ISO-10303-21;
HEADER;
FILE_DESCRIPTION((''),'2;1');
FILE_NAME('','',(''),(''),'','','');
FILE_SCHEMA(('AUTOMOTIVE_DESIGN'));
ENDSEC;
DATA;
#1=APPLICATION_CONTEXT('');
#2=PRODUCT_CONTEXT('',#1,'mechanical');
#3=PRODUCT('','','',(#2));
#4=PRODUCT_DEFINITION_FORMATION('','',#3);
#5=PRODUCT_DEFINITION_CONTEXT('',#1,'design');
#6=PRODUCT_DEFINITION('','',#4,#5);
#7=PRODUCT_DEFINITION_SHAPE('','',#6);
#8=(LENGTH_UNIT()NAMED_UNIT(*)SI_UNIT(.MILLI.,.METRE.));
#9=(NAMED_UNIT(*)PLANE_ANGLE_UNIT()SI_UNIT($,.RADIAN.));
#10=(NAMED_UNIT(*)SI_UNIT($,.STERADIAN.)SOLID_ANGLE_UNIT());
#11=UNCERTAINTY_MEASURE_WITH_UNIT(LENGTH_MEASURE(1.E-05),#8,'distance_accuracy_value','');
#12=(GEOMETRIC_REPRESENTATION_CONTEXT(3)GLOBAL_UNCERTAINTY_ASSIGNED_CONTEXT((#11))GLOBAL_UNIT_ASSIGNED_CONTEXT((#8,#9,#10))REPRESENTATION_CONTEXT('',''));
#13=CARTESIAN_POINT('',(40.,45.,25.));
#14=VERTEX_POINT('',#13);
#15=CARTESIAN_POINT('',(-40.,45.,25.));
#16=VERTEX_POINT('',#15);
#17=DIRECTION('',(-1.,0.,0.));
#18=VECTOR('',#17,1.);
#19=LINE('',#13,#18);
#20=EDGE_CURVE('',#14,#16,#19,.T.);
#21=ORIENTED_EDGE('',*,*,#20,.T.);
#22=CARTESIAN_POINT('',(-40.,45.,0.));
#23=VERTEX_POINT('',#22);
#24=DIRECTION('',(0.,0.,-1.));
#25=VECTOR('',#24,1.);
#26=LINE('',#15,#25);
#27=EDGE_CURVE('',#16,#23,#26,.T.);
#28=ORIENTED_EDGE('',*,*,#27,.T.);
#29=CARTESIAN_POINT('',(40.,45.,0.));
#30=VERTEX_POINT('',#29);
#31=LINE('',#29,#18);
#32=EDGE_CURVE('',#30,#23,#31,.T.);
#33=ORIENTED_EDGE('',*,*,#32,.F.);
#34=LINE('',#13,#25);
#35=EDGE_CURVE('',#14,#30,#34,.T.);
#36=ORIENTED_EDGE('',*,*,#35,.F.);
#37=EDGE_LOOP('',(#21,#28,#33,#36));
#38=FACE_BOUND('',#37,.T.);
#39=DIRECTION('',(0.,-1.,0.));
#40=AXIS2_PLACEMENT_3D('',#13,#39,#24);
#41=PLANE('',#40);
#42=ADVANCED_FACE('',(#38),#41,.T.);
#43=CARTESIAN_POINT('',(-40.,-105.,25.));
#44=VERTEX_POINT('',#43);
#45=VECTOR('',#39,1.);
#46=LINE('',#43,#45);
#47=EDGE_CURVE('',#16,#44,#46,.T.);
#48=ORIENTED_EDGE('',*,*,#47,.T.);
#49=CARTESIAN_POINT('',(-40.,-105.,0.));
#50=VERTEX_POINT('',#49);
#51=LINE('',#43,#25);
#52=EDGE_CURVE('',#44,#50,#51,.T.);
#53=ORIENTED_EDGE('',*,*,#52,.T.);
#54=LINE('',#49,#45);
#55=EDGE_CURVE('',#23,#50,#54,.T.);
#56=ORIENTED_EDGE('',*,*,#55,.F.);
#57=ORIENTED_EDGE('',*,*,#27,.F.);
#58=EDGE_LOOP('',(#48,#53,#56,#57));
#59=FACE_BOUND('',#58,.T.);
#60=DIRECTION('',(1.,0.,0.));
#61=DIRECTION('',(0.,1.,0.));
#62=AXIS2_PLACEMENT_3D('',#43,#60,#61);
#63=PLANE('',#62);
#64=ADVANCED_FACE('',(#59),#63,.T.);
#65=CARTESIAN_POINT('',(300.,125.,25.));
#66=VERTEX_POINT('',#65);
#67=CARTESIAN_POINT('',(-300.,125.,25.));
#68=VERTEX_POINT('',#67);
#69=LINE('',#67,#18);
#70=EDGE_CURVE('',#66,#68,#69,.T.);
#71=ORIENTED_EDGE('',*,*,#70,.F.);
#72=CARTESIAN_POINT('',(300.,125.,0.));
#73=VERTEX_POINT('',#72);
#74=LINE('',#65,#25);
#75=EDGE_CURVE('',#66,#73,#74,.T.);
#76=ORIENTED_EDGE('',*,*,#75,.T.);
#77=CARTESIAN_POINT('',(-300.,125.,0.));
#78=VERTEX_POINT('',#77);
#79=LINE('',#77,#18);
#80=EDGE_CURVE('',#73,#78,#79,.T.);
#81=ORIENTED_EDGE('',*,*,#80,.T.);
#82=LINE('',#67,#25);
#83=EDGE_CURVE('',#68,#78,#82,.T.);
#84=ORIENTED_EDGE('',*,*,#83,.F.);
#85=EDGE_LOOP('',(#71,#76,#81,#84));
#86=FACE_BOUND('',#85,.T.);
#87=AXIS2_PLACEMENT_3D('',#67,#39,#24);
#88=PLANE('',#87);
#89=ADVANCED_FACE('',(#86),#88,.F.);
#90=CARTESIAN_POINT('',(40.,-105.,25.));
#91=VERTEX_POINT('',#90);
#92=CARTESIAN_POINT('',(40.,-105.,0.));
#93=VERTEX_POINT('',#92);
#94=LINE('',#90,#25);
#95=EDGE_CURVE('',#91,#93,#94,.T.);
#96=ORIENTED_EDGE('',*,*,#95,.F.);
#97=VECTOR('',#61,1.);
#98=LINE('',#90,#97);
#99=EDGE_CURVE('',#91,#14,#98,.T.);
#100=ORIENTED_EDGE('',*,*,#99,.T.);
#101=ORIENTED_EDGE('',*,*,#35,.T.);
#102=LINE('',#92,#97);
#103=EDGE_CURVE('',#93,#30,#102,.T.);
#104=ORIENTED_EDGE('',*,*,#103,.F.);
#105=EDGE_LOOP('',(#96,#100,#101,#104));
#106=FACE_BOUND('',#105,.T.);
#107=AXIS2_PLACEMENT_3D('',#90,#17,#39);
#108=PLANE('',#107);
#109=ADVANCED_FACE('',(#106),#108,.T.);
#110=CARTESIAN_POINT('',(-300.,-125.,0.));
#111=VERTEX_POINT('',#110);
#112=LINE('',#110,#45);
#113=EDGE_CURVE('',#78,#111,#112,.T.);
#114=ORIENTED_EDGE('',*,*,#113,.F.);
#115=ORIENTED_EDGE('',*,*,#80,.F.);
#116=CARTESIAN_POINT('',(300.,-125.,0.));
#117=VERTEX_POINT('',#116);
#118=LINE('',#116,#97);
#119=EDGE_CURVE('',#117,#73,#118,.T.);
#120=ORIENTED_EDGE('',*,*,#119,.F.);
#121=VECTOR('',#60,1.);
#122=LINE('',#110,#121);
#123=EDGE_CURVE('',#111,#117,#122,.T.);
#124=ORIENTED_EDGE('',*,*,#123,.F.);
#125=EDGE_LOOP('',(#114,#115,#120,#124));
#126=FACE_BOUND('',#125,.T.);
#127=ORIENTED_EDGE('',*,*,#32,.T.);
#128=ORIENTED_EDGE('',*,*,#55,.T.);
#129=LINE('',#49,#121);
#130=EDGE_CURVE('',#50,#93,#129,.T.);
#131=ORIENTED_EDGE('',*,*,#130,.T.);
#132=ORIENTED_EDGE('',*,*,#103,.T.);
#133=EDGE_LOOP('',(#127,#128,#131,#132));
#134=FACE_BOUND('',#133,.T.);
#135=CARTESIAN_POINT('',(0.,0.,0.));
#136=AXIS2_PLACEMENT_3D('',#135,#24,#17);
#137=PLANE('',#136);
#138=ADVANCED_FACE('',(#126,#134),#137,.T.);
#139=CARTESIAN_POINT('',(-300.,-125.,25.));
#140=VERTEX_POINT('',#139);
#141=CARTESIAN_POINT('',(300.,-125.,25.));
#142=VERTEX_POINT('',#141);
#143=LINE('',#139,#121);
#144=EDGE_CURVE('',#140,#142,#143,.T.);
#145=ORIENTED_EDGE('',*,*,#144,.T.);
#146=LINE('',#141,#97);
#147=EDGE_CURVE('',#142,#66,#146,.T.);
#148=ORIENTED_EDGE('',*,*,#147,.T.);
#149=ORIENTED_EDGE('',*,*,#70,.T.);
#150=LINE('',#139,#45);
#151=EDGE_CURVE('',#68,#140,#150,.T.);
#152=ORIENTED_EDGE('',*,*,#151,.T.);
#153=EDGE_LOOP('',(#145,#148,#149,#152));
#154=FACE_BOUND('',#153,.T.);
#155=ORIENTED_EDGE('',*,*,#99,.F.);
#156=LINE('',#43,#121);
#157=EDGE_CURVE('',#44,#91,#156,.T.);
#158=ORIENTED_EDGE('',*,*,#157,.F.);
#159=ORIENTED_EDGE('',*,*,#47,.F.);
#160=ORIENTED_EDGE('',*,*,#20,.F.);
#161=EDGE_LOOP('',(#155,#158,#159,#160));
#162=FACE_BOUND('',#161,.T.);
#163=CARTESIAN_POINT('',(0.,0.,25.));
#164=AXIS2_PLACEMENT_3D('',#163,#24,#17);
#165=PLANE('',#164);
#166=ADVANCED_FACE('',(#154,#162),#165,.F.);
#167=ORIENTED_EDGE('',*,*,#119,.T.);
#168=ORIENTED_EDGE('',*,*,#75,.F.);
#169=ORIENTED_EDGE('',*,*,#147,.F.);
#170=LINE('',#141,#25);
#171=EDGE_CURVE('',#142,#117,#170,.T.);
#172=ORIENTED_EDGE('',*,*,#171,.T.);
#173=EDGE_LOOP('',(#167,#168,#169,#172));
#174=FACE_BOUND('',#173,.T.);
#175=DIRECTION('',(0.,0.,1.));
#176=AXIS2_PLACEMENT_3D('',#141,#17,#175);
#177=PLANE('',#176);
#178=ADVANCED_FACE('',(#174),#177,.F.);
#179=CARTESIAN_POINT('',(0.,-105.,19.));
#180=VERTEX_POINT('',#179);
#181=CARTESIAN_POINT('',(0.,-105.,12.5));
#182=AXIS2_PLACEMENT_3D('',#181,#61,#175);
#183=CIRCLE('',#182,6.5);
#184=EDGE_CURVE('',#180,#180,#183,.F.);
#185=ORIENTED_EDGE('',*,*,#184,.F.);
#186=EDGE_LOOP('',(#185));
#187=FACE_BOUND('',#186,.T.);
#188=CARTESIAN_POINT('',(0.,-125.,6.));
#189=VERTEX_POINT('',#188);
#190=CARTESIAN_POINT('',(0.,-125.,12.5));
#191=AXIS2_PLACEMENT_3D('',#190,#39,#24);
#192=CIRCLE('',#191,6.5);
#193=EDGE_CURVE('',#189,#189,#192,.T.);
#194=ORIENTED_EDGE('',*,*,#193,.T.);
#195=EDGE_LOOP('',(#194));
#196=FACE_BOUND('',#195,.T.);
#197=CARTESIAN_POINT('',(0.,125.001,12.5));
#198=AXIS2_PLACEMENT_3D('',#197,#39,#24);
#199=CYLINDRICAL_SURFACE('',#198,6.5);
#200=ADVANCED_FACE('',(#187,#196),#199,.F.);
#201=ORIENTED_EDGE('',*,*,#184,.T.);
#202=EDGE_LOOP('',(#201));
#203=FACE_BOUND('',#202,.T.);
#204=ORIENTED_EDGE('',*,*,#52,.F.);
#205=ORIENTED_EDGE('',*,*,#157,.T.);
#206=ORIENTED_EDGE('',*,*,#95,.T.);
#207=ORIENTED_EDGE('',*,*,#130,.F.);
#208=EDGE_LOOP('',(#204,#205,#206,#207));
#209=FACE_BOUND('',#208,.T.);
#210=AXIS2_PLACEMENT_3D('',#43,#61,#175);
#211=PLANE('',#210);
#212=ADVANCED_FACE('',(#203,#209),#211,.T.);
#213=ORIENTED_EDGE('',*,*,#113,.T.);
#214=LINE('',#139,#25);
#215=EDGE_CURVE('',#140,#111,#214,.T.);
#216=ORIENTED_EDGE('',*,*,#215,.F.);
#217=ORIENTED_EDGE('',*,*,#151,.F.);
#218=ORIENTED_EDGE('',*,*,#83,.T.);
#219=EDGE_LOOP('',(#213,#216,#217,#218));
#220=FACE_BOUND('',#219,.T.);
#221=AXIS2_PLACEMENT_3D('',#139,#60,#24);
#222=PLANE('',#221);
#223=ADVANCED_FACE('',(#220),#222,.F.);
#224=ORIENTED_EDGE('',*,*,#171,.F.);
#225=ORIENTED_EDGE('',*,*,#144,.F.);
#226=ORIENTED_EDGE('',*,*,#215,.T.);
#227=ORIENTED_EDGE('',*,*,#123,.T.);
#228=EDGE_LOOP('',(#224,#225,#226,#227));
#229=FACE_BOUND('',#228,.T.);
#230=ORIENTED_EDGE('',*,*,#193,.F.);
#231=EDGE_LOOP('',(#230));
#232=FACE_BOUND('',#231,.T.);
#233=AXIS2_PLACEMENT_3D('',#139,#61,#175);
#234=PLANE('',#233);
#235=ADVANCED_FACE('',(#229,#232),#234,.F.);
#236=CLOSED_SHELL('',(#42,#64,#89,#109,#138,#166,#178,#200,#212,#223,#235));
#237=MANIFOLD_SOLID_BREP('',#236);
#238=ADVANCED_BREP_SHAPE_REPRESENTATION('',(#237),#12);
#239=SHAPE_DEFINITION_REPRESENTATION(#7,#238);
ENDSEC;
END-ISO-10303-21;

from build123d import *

# Parameters (mm, degrees)
CROQUIS1_W              = 600
CROQUIS1_H              = 250
CROQUIS1_W_2            = 80
CROQUIS1_H_2            = 150
SALIENTE_EXTRUIR2_DEPTH = 25
CORTAR_EXTRUIR2_REACH   = 252
CROQUIS3_R              = 6.5


with BuildPart() as part:
    # Croquis1 → Saliente-Extruir2 (new body)
    with BuildSketch(Plane.XY):
        Rectangle(CROQUIS1_W, CROQUIS1_H)
        with Locations((0, -30)):
            Rectangle(CROQUIS1_W_2, CROQUIS1_H_2, mode=Mode.SUBTRACT)
    extrude(amount=SALIENTE_EXTRUIR2_DEPTH)

    # Croquis3 → Cortar-Extruir2 (cut, up to next)
    with BuildSketch(Plane.XZ.offset(125), mode=Mode.PRIVATE) as cortar_extruir2_sk1:
        with Locations((0, 12.5)):
            Circle(CROQUIS3_R)
    cortar_extruir2_tool1 = extrude(cortar_extruir2_sk1.sketch, amount=-CORTAR_EXTRUIR2_REACH, mode=Mode.PRIVATE) & part.part
    add(cortar_extruir2_tool1.solids().sort_by_distance((0, -125, 12.5))[0], mode=Mode.SUBTRACT)


solid = part.part
